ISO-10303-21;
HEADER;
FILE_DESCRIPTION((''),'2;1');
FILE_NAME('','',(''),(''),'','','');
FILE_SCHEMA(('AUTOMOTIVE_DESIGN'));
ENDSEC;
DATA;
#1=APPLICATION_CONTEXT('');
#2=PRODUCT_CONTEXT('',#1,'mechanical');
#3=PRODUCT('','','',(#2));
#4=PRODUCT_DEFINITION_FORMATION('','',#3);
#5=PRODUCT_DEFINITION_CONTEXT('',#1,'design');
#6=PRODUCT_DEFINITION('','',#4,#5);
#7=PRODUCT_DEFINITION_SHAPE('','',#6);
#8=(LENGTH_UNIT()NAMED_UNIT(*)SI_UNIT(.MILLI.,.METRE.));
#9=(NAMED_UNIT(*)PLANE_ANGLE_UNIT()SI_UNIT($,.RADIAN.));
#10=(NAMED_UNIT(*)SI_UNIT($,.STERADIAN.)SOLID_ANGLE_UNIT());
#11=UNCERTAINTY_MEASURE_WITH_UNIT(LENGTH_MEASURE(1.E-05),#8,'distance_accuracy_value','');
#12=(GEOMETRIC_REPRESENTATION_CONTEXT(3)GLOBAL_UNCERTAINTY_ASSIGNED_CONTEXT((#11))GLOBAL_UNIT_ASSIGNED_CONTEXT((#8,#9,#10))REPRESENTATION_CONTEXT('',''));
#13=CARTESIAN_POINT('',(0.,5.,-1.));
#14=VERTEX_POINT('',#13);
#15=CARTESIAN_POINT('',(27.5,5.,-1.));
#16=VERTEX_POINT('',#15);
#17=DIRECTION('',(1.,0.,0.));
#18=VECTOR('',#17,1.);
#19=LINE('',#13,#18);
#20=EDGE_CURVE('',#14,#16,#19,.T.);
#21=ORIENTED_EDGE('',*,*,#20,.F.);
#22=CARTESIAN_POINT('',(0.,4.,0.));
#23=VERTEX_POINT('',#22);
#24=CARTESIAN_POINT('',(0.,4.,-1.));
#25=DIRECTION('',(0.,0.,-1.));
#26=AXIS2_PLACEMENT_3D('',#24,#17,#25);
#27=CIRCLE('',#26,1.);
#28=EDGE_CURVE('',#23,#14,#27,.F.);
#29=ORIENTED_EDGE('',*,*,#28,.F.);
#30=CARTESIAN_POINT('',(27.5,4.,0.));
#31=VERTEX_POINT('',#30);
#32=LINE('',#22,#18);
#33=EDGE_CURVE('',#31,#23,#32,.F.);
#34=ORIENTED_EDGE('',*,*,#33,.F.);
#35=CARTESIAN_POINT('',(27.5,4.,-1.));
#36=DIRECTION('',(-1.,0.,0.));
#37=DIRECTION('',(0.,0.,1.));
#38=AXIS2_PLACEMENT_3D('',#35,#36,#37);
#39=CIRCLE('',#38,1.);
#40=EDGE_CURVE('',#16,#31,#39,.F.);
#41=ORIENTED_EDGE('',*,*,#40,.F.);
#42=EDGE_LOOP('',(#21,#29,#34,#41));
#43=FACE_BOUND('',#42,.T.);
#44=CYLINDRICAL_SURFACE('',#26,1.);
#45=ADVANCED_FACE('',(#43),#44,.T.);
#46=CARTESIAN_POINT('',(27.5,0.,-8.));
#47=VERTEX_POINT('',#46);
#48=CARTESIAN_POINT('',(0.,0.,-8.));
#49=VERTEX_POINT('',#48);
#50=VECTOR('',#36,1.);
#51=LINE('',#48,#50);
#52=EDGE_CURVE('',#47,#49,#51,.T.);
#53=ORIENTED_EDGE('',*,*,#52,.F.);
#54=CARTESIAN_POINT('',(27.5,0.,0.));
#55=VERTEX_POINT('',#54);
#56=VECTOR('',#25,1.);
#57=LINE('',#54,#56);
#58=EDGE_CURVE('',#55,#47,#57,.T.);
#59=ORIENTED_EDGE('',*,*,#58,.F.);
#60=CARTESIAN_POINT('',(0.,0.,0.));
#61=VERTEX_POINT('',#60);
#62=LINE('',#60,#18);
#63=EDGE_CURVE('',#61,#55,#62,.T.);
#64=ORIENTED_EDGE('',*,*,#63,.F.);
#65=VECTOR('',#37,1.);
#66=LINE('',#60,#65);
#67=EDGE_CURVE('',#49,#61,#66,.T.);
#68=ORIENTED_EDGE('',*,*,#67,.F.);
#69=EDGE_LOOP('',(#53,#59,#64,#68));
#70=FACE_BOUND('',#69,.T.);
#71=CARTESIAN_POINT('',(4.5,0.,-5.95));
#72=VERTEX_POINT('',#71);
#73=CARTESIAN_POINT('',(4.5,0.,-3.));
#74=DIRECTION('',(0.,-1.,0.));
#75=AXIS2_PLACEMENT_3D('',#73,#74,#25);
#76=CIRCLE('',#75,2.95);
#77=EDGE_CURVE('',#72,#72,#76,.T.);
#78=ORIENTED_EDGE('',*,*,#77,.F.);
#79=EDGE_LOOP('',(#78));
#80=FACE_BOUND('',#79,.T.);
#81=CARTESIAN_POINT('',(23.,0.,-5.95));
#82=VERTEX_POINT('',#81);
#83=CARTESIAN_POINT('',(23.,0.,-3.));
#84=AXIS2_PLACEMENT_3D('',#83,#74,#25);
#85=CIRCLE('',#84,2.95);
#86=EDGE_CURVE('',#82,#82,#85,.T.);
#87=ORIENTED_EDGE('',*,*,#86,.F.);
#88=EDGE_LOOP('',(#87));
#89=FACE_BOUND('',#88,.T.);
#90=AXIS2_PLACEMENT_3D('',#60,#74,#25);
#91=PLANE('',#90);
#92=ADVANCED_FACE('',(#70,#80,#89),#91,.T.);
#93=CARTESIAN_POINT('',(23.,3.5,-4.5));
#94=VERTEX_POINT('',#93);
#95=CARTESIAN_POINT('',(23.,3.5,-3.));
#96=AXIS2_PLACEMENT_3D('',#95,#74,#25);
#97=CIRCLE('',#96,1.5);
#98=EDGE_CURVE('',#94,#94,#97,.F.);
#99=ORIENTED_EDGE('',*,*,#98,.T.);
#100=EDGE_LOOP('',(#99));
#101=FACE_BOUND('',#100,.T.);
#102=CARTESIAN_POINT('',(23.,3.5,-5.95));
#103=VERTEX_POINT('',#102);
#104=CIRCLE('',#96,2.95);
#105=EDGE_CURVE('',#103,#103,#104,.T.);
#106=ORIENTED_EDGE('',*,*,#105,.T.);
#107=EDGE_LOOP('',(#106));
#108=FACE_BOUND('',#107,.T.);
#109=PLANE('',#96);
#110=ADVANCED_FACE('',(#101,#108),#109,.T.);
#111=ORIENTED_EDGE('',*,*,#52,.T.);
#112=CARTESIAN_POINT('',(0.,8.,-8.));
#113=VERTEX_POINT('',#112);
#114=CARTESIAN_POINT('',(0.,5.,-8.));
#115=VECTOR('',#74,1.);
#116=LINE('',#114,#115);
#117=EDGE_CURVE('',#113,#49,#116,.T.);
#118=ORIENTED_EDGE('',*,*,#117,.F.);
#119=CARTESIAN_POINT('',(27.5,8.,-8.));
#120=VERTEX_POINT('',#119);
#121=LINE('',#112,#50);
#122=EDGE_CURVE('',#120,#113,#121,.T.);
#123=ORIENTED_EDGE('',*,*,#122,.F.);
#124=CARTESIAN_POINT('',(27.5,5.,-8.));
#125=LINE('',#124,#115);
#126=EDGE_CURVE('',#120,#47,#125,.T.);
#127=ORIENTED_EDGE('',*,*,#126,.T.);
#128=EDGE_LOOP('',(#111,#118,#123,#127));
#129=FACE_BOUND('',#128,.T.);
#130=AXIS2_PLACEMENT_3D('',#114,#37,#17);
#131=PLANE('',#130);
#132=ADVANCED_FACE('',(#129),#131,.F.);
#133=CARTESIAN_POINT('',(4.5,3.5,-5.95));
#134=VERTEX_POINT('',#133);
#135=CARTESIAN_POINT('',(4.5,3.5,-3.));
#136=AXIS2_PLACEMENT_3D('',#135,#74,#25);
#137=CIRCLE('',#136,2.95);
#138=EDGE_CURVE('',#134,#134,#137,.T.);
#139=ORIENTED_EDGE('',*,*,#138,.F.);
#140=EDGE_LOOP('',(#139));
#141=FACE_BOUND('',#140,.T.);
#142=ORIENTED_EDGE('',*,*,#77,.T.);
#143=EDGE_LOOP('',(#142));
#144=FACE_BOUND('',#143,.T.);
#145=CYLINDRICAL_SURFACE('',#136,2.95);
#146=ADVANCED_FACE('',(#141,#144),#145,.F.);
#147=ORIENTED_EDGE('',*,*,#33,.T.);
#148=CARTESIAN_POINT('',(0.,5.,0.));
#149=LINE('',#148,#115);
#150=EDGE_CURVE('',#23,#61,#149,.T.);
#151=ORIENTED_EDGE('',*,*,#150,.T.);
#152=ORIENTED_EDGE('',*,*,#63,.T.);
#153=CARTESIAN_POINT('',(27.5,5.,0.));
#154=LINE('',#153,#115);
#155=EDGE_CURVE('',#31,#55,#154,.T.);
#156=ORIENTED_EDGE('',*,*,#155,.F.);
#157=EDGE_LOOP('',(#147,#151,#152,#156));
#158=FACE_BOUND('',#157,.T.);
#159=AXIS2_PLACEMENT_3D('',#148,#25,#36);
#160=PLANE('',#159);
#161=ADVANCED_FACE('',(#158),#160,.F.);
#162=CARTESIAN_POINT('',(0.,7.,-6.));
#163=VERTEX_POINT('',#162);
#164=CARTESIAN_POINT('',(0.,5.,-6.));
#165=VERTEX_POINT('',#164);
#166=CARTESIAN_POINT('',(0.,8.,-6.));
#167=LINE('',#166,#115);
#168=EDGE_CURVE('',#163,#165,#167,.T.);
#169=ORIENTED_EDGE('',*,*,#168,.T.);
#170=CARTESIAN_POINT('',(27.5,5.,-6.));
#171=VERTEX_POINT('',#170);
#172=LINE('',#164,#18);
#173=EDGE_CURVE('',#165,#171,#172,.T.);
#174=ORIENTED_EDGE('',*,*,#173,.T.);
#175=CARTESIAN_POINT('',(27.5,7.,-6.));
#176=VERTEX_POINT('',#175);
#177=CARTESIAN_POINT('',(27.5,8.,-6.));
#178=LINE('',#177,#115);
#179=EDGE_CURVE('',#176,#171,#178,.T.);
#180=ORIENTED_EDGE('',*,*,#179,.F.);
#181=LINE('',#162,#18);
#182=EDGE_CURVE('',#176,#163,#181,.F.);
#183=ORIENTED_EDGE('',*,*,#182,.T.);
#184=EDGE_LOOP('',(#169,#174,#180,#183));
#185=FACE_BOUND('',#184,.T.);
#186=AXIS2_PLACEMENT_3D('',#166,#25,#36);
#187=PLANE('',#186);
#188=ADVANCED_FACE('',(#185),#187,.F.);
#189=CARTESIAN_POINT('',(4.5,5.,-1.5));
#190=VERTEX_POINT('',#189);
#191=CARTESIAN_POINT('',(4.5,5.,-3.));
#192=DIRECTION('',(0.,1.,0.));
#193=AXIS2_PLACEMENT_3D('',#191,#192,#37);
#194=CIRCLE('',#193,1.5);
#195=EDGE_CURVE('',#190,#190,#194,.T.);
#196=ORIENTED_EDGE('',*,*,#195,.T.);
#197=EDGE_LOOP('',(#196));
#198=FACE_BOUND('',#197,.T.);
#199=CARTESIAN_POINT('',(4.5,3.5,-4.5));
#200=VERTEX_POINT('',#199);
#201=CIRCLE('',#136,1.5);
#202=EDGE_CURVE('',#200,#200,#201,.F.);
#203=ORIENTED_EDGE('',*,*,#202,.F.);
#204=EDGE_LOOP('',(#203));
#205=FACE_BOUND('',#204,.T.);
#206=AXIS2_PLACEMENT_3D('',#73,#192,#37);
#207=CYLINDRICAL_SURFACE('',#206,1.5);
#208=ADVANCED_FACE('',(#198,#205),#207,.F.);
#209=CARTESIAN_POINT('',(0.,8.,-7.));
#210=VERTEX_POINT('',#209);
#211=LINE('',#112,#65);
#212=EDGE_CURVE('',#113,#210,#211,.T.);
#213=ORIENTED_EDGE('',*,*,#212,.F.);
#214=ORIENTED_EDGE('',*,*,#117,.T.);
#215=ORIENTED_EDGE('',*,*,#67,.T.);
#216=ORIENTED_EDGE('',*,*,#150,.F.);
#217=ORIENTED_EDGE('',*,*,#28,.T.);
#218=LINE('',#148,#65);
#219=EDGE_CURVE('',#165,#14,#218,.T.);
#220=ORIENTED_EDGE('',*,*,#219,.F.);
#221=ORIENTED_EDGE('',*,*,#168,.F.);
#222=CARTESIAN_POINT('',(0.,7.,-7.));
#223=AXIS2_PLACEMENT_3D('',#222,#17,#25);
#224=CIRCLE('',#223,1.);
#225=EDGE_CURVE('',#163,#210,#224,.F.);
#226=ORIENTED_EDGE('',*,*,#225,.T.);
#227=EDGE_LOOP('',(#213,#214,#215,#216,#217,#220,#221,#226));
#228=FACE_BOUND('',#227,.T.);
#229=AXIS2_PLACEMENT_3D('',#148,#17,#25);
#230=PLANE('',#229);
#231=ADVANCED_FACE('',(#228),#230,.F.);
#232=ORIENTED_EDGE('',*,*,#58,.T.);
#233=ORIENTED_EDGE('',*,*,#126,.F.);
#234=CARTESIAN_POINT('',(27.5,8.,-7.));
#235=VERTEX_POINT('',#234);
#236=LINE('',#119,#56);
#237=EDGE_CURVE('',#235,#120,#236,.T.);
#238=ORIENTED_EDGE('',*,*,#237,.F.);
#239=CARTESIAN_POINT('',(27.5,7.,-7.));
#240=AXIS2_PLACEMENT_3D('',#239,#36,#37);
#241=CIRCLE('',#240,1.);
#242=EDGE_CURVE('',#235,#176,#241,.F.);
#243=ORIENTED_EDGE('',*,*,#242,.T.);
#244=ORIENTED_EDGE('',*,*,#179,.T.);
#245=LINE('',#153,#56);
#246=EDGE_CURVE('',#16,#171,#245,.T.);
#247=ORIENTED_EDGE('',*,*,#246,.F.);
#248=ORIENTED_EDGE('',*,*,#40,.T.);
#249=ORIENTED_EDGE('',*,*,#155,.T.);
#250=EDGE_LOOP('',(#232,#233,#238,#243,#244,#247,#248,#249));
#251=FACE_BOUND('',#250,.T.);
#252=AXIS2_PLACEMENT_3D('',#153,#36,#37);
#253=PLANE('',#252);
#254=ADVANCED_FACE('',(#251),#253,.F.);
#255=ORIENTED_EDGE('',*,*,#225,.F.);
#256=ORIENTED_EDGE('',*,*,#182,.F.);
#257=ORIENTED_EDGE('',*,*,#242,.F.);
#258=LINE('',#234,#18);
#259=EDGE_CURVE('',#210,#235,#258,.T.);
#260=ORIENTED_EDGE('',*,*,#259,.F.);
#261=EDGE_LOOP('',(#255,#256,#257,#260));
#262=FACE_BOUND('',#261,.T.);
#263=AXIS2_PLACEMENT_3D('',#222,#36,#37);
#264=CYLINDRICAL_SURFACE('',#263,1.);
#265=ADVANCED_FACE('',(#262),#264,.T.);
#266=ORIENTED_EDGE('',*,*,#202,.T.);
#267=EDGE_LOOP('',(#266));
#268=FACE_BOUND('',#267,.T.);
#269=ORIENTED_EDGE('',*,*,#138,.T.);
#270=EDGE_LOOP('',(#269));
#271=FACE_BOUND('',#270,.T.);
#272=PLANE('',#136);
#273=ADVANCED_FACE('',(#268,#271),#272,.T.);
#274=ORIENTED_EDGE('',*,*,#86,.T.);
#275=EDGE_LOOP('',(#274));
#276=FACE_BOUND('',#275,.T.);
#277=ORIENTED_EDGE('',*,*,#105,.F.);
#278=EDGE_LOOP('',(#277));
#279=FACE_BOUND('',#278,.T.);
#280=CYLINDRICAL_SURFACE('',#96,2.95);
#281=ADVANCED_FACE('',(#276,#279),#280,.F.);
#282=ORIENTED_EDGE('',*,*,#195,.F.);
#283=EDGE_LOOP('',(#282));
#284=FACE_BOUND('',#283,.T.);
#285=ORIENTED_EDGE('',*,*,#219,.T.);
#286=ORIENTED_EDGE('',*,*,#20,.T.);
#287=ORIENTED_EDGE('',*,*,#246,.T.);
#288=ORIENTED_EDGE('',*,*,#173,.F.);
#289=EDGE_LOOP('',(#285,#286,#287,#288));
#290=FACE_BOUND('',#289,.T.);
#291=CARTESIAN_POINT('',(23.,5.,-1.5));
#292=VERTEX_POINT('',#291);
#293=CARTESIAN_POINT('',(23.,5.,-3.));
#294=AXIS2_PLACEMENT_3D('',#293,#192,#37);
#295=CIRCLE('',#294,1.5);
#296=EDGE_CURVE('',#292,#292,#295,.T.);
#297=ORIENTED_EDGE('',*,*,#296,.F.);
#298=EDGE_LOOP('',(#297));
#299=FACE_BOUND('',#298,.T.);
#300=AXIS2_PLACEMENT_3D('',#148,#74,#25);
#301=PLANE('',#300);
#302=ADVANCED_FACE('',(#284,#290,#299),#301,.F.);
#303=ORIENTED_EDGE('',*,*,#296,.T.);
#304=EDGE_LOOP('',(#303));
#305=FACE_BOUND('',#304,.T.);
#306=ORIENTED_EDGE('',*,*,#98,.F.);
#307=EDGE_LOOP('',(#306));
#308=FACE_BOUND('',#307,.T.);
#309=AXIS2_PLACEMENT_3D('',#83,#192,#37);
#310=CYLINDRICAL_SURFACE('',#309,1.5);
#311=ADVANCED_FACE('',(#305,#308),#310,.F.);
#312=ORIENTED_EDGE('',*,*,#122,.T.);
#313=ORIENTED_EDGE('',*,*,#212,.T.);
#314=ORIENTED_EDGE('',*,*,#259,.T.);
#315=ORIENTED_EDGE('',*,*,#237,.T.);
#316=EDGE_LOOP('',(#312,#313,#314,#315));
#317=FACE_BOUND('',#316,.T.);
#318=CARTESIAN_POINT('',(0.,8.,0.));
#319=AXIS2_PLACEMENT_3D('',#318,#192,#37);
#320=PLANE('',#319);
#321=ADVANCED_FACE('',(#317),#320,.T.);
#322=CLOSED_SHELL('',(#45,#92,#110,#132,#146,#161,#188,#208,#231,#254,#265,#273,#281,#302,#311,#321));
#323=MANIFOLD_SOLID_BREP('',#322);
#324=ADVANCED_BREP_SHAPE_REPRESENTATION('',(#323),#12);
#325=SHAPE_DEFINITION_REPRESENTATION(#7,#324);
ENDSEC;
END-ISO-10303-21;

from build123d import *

# Parameters (mm, degrees)
SKETCH_1_W          = 27.5
SKETCH_1_H          = 8
EXTRUDE_1_DEPTH     = 5
SKETCH_2_W          = 27.5
SKETCH_2_H          = 2
EXTRUDE_2_DEPTH     = 3
SKETCH_3_R          = 1.5
CUT_EXTRUDE_1_DEPTH = 30.07318352
SKETCH_4_R          = 2.95
CUT_EXTRUDE_6_DEPTH = 3.5
FILLET_1_R          = 1
FILLET_2_R          = 1


with BuildPart() as part:
    # Эскиз1 → Бобышка-Вытянуть1 (new body)
    with BuildSketch(Plane(origin=(0, 0, 0), x_dir=(1, 0, 0), z_dir=(0, 1, 0))):
        with Locations((13.75, 4)):
            Rectangle(SKETCH_1_W, SKETCH_1_H)
    extrude(amount=EXTRUDE_1_DEPTH)

    # Эскиз2 → Бобышка-Вытянуть2 (add)
    with BuildSketch(Plane(origin=(0, 5, 0), x_dir=(1, 0, 0), z_dir=(0, 1, 0))):
        with Locations((13.75, 7)):
            Rectangle(SKETCH_2_W, SKETCH_2_H)
    extrude(amount=EXTRUDE_2_DEPTH)

    # Эскиз3 → Вырез-Вытянуть1 (cut, through all)
    with BuildSketch(Plane(origin=(0, 5, 0), x_dir=(1, 0, 0), z_dir=(0, 1, 0))):
        with Locations(Location((4.5, 3, 0), (0, 0, 270))):
            Circle(SKETCH_3_R)
        with Locations(Location((23, 3, 0), (0, 0, 270))):
            Circle(SKETCH_3_R)
    extrude(amount=-CUT_EXTRUDE_1_DEPTH, mode=Mode.SUBTRACT)

    # Эскиз4 → Вырез-Вытянуть6 (cut)
    with BuildSketch(Plane(origin=(0, 0, 0), x_dir=(-1, 0, 0), z_dir=(0, -1, 0))):
        with Locations(Location((-4.5, 3, 0), (0, 0, 90))):
            Circle(SKETCH_4_R)
        with Locations(Location((-23, 3, 0), (0, 0, 90))):
            Circle(SKETCH_4_R)
    extrude(amount=-CUT_EXTRUDE_6_DEPTH, mode=Mode.SUBTRACT)

    # Скругление1
    fillet_1_edges = [part.edges().sort_by_distance(p)[0] for p in [
        (13.75, 8, -6),
    ]]
    fillet(fillet_1_edges, radius=FILLET_1_R)

    # Скругление2
    fillet_2_edges = [part.edges().sort_by_distance(p)[0] for p in [
        (13.75, 5, 0),
    ]]
    fillet(fillet_2_edges, radius=FILLET_2_R)


solid = part.part
